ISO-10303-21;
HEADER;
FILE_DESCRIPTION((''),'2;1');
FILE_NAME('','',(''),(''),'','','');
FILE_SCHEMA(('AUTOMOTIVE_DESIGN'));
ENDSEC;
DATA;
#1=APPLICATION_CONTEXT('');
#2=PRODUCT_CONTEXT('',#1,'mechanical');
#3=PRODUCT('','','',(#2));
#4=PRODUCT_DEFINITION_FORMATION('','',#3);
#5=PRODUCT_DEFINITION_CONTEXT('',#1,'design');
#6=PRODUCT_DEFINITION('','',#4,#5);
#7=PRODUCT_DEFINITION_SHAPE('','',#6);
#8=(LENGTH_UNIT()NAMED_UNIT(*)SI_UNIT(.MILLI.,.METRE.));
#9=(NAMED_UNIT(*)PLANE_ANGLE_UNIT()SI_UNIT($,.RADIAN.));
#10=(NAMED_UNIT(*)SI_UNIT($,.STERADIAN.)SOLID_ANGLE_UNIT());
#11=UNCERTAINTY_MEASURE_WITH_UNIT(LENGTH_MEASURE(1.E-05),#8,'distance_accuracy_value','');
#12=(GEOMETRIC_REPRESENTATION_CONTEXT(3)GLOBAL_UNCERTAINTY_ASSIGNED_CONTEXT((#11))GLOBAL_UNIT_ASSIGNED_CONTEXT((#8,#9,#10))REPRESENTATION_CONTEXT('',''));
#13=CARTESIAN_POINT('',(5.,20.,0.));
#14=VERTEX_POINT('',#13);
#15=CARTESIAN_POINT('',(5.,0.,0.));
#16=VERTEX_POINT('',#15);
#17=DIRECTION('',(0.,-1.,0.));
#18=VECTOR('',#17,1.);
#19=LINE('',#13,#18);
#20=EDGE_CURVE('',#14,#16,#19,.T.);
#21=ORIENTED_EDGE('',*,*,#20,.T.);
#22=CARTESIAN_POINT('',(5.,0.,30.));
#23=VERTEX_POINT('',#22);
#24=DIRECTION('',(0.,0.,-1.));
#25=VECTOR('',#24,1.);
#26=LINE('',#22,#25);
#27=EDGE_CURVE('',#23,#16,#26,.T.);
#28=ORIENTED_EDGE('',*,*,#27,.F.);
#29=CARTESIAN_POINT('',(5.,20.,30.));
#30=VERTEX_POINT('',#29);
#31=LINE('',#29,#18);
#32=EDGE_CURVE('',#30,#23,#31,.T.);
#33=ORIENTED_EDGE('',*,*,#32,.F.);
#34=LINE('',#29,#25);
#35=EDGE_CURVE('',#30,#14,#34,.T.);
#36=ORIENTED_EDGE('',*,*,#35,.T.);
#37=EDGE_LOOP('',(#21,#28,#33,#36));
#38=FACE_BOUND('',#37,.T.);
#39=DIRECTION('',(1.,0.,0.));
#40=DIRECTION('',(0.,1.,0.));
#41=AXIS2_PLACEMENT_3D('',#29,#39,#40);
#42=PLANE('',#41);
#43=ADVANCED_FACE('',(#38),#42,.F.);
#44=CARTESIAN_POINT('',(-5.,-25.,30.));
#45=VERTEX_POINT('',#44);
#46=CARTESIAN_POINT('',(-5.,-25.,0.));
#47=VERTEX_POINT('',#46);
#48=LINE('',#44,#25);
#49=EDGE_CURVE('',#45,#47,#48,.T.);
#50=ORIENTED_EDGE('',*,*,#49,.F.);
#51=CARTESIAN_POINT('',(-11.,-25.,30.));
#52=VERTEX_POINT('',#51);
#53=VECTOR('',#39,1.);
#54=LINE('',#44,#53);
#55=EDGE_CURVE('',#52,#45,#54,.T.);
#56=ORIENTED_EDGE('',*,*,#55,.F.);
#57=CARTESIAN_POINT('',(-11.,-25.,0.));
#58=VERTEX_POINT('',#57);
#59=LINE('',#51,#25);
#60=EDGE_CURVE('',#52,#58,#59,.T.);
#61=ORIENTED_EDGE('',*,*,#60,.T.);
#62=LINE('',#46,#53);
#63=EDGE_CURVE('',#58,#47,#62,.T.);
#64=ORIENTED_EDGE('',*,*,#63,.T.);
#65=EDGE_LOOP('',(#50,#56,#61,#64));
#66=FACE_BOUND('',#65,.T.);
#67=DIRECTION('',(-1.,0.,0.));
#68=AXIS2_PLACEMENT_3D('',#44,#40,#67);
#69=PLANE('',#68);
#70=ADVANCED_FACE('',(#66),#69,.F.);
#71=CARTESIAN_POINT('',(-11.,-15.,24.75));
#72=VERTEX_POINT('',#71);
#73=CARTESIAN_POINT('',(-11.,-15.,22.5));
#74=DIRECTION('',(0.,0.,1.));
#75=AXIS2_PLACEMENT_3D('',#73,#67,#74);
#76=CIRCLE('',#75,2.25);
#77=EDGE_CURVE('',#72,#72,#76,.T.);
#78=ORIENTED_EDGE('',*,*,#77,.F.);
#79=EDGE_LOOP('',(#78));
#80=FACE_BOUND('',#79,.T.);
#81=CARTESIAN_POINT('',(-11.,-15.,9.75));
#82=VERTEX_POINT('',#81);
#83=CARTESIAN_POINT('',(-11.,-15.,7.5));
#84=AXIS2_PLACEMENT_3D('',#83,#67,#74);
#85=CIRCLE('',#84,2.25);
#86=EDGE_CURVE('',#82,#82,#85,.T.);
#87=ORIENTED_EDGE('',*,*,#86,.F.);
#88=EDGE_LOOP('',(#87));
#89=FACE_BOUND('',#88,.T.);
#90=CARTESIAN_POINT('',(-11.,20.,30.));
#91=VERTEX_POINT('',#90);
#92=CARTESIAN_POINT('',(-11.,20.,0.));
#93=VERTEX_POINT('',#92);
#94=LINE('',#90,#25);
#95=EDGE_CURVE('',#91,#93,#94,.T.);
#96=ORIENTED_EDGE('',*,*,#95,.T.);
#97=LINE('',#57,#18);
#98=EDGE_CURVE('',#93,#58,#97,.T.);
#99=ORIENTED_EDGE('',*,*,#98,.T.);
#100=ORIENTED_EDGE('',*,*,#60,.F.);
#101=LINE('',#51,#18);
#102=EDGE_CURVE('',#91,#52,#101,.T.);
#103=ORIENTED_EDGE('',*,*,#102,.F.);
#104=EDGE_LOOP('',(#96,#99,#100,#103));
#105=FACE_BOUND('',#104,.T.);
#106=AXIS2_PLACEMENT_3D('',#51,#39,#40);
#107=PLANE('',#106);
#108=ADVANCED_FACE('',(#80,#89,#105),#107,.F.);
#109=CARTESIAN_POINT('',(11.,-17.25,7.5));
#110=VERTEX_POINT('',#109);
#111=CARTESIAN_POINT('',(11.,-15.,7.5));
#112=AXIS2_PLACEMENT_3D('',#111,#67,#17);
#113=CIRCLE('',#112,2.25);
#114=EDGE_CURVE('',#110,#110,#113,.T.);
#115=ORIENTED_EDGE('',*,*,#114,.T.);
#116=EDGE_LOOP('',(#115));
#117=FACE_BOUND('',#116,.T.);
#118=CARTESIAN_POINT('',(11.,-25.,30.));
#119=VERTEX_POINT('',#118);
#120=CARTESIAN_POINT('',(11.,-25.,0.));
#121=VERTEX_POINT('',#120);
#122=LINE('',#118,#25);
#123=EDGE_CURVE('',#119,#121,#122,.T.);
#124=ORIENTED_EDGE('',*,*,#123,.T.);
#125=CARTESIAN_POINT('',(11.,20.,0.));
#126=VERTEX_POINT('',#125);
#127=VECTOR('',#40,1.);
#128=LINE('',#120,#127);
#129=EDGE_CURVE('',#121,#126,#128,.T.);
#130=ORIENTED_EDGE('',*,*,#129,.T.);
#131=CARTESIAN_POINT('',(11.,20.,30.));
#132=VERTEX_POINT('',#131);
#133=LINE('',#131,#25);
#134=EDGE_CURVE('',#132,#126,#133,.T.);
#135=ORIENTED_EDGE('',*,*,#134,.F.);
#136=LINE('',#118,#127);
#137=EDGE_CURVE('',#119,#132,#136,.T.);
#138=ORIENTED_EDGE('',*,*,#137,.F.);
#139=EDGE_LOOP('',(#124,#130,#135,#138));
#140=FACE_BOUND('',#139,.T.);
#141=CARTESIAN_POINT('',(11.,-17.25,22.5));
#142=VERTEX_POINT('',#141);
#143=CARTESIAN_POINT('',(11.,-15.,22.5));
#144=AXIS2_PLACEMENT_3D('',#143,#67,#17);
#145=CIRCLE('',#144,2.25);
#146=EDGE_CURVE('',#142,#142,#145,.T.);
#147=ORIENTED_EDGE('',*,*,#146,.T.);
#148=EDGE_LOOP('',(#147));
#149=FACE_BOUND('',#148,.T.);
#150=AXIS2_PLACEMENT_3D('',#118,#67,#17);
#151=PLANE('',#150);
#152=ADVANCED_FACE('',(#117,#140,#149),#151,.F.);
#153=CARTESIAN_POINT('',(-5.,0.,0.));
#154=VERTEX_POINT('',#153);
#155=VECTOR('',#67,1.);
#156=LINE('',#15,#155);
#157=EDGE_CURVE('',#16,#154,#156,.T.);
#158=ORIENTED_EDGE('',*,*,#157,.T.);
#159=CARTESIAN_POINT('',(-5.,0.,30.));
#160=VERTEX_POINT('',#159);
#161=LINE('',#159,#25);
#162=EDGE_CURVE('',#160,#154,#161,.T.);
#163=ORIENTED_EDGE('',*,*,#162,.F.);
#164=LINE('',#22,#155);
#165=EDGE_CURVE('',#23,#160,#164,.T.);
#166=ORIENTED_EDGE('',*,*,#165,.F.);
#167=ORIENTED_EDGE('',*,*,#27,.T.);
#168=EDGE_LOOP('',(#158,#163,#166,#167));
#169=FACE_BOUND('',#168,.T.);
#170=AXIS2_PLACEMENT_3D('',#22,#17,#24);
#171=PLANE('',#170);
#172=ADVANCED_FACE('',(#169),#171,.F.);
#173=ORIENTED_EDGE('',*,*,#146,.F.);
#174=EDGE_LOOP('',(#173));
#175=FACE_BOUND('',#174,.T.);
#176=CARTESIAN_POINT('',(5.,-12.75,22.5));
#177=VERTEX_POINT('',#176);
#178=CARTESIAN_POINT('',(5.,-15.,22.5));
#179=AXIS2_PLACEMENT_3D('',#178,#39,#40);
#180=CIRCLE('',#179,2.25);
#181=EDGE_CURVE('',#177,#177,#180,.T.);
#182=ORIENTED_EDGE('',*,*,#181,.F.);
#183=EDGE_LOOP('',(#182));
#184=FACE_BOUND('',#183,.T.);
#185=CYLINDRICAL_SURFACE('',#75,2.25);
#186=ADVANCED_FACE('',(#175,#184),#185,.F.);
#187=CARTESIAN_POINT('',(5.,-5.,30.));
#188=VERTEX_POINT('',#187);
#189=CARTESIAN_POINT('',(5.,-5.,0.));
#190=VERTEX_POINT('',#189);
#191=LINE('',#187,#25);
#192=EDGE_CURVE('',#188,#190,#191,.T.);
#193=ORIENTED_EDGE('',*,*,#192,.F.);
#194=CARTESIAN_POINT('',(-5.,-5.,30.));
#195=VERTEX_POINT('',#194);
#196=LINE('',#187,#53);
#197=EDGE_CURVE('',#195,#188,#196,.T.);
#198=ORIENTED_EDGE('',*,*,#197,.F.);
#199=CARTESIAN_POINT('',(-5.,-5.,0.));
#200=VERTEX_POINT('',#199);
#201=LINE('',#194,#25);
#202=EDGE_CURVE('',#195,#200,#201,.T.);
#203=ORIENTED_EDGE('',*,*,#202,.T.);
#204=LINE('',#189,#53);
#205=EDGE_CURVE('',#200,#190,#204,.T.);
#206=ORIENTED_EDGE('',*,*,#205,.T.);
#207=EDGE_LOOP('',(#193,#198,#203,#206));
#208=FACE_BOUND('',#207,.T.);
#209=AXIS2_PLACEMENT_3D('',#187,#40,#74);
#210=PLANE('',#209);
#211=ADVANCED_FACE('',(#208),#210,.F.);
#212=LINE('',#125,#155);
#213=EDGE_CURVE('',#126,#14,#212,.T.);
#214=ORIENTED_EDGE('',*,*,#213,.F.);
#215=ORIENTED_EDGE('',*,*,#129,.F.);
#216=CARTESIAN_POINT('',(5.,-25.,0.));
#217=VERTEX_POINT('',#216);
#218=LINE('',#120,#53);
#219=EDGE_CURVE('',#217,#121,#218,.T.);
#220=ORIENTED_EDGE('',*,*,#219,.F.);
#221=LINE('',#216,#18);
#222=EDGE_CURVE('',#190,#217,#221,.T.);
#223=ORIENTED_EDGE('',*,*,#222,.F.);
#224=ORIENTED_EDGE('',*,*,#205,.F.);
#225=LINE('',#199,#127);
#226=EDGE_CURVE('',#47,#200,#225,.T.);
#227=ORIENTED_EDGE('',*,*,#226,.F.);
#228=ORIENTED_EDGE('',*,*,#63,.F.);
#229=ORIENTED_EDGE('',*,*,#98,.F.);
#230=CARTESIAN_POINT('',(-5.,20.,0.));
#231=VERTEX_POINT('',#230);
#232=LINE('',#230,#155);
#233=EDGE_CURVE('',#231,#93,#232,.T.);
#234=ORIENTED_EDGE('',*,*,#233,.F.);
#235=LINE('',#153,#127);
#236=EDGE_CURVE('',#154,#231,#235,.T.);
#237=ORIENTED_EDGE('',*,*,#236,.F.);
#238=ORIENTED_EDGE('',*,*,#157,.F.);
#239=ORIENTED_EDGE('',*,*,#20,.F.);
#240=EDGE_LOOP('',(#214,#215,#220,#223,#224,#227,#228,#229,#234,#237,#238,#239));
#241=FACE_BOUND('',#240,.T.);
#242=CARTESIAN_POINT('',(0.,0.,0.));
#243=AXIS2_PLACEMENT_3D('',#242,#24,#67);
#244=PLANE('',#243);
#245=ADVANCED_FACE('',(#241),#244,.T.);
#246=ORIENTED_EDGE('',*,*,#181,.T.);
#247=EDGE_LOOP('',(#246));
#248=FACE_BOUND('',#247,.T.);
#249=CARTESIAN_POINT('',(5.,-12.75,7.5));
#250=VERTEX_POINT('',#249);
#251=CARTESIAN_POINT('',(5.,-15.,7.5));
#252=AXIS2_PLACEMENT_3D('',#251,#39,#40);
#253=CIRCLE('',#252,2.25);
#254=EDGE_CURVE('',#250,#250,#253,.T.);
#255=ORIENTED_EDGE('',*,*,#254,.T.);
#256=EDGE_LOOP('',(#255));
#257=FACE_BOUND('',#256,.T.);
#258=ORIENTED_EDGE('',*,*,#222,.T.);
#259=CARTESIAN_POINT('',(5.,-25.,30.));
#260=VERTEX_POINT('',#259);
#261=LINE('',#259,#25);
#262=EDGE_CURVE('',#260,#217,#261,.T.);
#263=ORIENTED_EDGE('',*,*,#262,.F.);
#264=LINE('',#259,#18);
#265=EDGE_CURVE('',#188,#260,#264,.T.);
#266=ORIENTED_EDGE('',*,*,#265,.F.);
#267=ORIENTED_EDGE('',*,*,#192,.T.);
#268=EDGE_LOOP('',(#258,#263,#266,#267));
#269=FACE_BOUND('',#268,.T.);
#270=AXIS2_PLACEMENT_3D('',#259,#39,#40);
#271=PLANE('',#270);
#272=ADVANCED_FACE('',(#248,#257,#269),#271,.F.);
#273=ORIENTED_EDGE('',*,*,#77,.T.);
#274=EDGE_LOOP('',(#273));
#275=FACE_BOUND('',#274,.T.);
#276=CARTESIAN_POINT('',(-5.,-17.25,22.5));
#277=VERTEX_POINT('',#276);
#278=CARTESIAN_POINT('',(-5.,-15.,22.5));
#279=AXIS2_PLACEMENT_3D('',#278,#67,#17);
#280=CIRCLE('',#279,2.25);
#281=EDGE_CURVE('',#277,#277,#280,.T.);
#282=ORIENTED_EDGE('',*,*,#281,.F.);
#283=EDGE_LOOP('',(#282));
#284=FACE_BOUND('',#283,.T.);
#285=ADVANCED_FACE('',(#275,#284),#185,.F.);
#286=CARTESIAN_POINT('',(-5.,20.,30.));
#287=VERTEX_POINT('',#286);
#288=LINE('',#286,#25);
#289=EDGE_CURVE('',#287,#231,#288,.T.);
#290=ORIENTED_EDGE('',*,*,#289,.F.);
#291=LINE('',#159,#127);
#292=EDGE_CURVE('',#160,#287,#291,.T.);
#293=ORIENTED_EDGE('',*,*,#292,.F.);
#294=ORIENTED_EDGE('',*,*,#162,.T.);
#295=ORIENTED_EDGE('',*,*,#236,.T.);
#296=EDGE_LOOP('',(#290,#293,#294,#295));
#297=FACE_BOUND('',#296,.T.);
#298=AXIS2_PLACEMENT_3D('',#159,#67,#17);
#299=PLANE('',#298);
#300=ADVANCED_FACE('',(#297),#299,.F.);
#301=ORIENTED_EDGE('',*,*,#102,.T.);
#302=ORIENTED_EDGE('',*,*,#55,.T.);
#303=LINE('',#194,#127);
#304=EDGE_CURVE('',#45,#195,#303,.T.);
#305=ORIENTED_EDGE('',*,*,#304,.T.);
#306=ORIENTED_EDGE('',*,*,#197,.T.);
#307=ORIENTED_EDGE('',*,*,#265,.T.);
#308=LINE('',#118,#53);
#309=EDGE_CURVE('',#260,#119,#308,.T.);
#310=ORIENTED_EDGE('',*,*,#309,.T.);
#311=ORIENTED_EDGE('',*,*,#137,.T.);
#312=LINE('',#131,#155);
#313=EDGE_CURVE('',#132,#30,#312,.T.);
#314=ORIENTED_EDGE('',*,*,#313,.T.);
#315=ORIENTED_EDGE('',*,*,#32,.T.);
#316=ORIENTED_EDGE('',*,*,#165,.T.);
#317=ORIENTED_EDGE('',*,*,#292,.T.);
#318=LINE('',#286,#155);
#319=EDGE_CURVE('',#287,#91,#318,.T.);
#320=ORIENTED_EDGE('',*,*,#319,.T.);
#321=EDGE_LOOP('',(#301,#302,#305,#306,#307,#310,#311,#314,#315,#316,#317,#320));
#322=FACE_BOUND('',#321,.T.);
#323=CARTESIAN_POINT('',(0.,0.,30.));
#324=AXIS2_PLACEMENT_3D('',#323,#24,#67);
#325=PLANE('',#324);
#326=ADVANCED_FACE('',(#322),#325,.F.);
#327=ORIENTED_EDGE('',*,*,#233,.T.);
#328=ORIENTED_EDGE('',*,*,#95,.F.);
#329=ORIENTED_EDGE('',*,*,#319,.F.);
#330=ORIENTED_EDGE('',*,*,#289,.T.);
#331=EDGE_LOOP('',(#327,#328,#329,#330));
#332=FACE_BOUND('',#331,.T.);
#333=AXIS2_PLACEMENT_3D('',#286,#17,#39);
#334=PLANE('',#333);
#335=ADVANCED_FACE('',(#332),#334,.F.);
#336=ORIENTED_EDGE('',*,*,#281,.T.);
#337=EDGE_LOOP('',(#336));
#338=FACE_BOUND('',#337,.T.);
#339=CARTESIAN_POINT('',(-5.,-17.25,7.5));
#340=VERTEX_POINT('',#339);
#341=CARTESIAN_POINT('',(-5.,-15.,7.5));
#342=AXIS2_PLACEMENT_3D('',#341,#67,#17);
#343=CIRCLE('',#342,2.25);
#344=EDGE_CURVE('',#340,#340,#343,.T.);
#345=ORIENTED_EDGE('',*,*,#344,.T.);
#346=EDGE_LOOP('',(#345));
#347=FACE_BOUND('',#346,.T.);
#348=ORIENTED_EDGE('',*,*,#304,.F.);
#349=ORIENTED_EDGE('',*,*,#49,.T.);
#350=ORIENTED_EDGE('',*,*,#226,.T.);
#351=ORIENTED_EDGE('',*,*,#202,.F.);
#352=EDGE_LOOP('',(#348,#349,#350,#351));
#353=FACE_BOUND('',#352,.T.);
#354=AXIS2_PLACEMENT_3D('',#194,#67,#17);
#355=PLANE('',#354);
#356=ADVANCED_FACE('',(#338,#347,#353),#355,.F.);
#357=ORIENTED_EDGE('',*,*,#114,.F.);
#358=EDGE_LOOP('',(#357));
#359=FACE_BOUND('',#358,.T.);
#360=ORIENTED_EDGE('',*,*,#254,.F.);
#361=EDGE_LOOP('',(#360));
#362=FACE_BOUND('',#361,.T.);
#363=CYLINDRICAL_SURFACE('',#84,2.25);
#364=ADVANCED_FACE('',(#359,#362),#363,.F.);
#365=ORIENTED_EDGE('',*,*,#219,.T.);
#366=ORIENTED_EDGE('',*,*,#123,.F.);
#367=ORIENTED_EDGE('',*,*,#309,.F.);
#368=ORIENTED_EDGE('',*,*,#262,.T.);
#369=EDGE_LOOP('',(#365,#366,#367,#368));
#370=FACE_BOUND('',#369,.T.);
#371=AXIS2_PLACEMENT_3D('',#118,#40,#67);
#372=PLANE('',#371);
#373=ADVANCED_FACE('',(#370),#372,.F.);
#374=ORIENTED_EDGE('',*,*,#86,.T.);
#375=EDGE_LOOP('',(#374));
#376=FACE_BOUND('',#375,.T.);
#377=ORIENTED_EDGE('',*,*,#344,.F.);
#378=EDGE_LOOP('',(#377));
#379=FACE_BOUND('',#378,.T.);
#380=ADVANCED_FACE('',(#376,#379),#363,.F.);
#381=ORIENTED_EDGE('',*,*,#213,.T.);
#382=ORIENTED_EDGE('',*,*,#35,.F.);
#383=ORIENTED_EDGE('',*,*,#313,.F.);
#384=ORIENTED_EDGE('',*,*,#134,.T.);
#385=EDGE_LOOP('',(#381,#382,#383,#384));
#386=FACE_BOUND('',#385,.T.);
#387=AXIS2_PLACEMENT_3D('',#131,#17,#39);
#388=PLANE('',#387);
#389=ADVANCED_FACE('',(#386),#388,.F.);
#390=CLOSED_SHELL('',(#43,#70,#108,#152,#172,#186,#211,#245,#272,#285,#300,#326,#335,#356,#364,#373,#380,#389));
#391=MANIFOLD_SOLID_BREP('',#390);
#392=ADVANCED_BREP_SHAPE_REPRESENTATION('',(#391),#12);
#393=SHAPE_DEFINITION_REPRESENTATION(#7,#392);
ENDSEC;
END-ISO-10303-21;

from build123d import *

# Parameters (mm, degrees)
ESTRUSIONE_ESTRUSIONE1_DEPTH = 30
FORO_PER_VITE_M4_1_D         = 4.5
FORO_PER_VITE_M4_1_DEPTH     = 30
FORO_PER_VITE_M4_1_TIP       = 1.351936393


with BuildPart() as part:
    # Schizzo1 → Estrusione-Estrusione1 (new body)
    with BuildSketch(Plane.XY):
        Polygon((11, -25), (11, 20), (5, 20), (5, 0), (-5, 0), (-5, 20), (-11, 20), (-11, -25), (-5, -25), (-5, -5), (5, -5), (5, -25), align=None)
    extrude(amount=ESTRUSIONE_ESTRUSIONE1_DEPTH)

    # Foro per Vite M4-1
    with Locations(Plane(origin=(-11, -15, 22.5), x_dir=(0, -1, 0), z_dir=(-1, 0, 0))):
        with Locations((0, 0), (0, -15)):
            Hole(FORO_PER_VITE_M4_1_D / 2, depth=FORO_PER_VITE_M4_1_DEPTH)
            with Locations((0, 0, -(FORO_PER_VITE_M4_1_DEPTH + FORO_PER_VITE_M4_1_TIP / 2))):  # 118° drill point
                Cone(0, FORO_PER_VITE_M4_1_D / 2, FORO_PER_VITE_M4_1_TIP, mode=Mode.SUBTRACT)


solid = part.part
